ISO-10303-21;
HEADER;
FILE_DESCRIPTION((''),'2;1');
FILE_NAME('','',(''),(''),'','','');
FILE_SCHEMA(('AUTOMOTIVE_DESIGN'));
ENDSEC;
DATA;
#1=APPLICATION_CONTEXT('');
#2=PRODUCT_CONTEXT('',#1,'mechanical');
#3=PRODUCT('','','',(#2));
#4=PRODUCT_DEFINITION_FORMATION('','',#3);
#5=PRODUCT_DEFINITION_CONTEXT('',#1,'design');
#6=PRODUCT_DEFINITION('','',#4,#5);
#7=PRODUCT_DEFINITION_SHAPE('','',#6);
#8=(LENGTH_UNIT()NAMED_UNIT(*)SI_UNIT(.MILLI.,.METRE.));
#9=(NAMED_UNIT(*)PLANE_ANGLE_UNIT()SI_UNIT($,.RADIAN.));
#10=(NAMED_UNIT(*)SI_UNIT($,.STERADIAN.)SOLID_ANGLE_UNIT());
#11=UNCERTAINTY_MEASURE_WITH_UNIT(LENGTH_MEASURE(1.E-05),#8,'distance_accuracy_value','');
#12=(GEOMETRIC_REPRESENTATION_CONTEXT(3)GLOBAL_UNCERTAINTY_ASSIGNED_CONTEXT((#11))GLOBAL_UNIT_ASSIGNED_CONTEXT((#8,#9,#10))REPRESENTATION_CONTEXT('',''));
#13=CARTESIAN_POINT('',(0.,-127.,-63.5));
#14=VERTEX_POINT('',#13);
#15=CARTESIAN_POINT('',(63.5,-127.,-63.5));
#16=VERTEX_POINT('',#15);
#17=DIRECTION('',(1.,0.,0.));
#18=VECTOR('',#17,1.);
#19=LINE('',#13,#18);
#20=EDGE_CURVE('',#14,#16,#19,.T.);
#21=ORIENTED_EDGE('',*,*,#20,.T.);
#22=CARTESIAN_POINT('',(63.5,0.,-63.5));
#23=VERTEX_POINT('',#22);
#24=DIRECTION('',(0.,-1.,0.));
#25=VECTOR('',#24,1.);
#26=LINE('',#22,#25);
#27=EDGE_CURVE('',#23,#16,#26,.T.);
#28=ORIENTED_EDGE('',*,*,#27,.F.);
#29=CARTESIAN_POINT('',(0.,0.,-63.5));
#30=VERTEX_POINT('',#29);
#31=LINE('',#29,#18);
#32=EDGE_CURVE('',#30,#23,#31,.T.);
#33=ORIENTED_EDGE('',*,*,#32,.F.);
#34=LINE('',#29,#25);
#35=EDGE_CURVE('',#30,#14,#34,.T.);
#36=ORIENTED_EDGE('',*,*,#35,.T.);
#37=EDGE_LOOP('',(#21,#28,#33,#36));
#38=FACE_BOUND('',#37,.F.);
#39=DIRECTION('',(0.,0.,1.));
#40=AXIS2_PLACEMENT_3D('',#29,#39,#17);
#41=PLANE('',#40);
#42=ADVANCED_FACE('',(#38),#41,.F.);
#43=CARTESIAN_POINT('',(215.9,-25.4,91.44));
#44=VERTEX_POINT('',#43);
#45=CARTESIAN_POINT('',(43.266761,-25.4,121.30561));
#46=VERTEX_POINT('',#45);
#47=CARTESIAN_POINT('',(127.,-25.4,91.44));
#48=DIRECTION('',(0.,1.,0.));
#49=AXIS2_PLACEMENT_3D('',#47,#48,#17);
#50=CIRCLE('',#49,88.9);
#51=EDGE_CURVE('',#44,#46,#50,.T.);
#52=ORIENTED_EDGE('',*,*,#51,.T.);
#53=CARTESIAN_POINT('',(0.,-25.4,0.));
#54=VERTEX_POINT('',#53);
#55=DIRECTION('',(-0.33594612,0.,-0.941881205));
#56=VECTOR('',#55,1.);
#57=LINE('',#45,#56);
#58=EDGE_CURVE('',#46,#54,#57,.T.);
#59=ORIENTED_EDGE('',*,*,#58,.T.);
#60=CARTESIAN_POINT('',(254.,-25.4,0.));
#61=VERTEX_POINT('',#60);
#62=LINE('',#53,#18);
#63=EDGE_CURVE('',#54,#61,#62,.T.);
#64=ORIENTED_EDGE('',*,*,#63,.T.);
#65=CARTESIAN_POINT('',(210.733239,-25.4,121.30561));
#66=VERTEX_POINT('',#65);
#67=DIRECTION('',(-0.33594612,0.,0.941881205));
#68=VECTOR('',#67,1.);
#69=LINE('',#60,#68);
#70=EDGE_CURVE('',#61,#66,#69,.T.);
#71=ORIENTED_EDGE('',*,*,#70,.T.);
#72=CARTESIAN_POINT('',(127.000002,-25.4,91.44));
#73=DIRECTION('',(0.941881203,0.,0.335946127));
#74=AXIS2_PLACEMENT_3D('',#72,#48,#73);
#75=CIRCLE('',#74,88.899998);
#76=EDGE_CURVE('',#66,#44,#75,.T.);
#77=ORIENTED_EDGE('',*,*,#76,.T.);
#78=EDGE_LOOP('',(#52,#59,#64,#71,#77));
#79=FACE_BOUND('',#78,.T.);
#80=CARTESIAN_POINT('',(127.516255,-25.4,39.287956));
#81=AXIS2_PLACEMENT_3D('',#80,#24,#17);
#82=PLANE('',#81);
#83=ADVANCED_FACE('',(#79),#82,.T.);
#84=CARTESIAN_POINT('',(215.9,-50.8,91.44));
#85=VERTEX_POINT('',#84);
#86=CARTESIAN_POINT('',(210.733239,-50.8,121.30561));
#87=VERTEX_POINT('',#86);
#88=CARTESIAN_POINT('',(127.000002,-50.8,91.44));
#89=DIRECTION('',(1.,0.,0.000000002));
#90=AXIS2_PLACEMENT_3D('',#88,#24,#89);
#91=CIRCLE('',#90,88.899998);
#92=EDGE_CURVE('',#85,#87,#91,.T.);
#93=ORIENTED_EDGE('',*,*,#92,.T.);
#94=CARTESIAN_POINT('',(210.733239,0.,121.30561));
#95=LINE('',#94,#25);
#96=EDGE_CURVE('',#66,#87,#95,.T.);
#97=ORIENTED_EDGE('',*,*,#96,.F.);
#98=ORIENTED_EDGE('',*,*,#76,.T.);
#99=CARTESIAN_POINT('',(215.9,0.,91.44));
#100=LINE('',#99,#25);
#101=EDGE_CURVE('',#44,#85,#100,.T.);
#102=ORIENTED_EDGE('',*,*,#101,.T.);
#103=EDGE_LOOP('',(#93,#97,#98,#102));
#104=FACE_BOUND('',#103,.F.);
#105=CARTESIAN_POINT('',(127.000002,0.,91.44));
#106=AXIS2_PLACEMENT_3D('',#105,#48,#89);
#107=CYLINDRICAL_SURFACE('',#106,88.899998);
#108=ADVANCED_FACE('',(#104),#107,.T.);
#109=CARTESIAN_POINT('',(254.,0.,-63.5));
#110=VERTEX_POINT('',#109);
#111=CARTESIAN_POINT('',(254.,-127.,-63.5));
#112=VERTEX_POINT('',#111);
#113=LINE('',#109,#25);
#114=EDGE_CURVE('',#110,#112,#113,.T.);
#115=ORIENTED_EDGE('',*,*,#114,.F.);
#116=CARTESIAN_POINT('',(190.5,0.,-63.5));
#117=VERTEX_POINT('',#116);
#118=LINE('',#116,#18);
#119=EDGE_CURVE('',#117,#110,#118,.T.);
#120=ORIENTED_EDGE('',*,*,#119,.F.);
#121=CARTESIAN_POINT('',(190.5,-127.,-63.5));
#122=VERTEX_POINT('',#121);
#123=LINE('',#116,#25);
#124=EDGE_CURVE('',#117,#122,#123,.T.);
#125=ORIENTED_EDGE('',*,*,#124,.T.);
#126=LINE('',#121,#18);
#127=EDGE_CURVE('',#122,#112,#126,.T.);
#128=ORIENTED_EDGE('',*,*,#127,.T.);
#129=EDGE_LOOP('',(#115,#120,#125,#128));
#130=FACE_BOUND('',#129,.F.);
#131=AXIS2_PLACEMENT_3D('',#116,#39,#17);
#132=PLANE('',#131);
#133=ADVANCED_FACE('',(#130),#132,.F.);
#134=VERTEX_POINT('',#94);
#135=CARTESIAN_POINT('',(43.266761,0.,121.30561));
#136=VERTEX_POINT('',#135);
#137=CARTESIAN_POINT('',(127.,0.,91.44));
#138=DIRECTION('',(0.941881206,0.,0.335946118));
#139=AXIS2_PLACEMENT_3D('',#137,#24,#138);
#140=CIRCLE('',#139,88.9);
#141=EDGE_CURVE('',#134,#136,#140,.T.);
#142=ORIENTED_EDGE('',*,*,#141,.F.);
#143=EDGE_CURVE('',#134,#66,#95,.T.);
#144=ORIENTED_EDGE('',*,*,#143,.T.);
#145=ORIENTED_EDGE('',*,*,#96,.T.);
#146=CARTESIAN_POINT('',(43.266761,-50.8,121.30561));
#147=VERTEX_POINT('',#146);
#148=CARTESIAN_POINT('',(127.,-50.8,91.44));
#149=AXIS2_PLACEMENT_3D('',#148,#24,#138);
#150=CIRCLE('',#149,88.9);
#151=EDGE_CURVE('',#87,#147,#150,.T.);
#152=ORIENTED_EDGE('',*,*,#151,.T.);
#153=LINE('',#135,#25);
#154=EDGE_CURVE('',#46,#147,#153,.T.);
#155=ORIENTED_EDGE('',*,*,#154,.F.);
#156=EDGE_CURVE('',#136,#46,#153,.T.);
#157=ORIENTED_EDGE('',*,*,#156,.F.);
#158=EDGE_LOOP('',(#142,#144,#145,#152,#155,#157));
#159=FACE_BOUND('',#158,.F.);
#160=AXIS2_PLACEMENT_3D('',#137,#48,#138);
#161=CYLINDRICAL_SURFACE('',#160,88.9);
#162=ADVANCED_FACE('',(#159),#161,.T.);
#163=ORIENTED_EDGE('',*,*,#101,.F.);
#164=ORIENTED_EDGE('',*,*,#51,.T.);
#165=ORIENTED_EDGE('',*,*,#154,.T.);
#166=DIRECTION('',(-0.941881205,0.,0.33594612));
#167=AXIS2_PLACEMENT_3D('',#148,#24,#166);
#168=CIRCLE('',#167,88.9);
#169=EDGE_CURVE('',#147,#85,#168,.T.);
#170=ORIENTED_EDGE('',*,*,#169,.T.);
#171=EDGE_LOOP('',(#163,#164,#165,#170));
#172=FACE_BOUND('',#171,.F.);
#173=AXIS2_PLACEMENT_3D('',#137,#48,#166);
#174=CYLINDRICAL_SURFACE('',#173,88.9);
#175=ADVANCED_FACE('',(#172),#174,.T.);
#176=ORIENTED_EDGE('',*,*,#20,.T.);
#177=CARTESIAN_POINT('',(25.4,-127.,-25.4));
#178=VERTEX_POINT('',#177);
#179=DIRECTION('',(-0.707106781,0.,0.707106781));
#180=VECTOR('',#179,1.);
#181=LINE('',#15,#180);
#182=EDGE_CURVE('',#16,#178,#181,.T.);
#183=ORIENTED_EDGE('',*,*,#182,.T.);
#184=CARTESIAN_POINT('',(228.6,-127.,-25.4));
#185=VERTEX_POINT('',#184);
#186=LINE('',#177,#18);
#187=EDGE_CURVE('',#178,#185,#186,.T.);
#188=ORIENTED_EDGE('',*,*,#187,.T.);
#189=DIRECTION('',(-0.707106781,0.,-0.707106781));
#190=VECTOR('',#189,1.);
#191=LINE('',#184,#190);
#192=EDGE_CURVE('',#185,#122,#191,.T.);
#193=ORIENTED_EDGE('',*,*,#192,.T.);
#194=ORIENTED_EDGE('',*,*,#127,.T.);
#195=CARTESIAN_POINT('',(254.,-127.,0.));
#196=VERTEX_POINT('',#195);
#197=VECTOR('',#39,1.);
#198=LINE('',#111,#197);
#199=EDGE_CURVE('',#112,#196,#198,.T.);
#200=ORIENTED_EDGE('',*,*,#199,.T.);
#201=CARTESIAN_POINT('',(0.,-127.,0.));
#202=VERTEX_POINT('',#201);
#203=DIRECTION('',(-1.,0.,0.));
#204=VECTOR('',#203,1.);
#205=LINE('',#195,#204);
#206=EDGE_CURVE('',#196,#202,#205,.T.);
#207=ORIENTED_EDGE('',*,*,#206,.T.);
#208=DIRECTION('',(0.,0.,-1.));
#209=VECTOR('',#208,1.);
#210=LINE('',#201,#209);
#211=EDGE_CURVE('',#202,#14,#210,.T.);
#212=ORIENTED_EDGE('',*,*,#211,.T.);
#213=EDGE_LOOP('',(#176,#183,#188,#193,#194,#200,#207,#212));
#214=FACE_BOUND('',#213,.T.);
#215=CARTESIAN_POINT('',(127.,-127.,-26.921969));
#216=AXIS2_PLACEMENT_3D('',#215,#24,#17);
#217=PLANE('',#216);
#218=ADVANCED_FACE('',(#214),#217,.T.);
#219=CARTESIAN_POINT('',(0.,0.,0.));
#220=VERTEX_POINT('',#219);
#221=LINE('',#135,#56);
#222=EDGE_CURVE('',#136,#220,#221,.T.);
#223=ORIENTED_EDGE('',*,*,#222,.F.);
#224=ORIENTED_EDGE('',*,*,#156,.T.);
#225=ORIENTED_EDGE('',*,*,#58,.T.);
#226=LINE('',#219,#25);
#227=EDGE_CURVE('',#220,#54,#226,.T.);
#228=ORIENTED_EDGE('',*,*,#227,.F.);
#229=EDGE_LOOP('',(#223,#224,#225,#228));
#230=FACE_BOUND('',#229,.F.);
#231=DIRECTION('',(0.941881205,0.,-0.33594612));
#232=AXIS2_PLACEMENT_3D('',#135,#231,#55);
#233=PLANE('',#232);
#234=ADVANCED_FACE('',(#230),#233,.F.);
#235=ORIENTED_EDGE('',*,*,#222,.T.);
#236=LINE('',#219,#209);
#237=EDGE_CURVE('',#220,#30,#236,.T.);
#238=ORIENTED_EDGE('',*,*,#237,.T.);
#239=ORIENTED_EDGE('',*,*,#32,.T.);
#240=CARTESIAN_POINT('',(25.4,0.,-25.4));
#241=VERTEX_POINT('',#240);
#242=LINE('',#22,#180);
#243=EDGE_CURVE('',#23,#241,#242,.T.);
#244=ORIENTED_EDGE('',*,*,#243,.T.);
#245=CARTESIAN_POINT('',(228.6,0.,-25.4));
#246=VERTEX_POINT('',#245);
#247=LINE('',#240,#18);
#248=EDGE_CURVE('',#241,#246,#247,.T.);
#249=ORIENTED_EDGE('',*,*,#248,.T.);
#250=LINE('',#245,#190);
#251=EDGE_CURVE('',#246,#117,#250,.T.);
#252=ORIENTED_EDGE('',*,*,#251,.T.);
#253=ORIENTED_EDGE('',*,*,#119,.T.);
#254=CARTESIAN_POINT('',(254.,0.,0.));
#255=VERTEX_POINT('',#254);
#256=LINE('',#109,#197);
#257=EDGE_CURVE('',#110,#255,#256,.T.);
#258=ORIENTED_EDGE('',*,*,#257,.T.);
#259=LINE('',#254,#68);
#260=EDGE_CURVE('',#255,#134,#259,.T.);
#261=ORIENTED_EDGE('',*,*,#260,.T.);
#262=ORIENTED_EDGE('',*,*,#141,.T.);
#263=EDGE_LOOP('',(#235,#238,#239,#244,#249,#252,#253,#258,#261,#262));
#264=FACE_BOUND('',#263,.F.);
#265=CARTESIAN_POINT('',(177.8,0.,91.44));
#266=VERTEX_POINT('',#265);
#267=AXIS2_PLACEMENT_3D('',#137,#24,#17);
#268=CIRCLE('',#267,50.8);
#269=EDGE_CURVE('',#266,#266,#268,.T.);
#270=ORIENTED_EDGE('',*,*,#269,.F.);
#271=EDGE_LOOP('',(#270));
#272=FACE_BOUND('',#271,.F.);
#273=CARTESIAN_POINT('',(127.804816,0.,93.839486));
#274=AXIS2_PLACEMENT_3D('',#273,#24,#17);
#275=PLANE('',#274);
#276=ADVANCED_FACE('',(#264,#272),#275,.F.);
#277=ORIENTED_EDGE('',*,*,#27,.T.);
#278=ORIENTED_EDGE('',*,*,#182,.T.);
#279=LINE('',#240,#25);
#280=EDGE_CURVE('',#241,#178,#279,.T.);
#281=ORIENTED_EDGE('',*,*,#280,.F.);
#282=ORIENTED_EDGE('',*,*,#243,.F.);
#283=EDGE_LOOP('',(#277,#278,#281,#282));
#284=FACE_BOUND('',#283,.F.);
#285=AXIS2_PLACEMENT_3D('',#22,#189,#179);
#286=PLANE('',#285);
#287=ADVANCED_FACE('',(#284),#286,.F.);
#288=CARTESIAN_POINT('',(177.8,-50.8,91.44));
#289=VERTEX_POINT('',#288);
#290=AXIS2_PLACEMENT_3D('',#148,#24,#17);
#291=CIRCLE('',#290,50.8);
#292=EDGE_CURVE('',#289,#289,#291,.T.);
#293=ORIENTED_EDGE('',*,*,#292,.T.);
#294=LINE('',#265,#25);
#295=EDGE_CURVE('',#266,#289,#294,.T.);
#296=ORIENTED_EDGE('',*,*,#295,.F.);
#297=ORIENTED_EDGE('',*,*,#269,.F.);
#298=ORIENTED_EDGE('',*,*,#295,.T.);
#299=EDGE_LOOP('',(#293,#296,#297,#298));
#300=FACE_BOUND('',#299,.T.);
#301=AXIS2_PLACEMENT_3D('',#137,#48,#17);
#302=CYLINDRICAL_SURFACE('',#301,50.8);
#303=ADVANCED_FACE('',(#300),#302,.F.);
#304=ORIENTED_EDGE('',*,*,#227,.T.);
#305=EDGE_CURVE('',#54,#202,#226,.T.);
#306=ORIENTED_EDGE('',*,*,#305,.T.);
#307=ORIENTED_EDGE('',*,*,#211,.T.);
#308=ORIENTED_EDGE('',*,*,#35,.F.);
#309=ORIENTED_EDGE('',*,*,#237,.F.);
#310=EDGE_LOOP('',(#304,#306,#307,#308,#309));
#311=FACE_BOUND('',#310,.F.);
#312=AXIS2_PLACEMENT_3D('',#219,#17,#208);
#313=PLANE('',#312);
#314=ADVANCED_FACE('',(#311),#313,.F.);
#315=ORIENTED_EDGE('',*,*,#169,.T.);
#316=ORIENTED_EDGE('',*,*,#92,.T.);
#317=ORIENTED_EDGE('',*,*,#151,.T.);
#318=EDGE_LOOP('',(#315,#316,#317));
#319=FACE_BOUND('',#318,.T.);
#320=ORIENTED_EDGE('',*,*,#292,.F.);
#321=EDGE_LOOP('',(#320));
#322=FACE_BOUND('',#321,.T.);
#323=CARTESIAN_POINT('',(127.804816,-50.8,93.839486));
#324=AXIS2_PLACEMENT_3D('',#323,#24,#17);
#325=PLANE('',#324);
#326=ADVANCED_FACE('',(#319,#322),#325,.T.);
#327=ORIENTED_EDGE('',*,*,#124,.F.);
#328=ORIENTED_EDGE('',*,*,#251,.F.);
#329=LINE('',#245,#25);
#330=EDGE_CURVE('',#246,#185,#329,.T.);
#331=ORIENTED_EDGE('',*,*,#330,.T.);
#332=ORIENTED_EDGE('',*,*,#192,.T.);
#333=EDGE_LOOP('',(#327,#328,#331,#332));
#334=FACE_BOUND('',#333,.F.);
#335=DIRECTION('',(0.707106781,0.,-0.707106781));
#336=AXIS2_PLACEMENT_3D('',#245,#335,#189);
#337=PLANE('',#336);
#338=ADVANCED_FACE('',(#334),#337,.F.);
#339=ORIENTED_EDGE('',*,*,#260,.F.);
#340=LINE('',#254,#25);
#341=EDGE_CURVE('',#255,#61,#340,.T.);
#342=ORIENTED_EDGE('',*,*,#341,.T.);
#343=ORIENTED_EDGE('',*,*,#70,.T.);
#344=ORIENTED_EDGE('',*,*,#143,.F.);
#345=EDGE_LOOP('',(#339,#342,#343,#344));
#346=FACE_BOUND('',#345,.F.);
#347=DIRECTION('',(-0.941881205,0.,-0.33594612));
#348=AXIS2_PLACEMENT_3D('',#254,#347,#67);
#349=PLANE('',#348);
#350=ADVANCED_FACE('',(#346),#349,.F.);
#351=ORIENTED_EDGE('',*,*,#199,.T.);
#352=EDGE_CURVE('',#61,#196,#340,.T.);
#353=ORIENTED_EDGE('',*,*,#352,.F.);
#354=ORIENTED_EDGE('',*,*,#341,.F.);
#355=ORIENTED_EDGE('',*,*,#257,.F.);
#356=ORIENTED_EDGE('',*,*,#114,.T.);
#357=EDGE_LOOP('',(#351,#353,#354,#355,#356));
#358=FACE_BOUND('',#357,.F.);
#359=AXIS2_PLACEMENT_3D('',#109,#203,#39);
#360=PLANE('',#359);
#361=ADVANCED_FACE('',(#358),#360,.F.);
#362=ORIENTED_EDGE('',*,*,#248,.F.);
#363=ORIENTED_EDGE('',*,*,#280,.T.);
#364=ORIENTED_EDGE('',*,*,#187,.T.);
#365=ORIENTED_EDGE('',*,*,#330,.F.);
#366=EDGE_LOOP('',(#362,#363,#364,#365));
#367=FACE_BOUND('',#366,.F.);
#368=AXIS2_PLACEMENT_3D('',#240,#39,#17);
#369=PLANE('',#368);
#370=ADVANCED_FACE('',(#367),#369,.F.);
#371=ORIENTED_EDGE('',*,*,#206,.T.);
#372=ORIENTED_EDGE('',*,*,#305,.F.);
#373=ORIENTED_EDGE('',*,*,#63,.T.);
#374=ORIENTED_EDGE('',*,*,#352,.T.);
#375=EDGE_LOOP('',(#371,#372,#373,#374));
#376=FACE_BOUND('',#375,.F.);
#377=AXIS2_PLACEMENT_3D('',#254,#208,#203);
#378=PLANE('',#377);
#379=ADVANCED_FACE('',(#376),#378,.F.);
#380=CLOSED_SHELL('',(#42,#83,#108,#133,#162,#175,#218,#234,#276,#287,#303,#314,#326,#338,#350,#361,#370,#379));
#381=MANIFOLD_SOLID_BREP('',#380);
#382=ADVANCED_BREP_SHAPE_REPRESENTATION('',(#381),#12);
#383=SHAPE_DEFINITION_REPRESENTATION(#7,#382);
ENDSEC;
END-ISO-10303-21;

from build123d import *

# Parameters (mm, degrees)
F1_DEPTH = 127
F2_DEPTH = 25.4
F0_R     = 50.8
F3_DEPTH = 50.8


with BuildPart() as f1:
    # F0 (on Front) → F1 (new body)
    with BuildSketch(Plane.XZ):
        Polygon((254, 0), (0, 0), (0, -63.5), (63.5, -63.5), (25.4, -25.4), (228.6, -25.4), (190.5, -63.5), (254, -63.5), align=None)
    extrude(amount=F1_DEPTH)

    # F0 (on Front) → F2 (join)
    with BuildSketch(Plane.XZ):
        with BuildLine():
            Line((43.266761, 121.30561), (0, 0))
            Line((0, 0), (254, 0))
            Line((254, 0), (210.733239, 121.30561))
            ThreePointArc((210.733239, 121.30561), (214.598787, 106.59462), (215.9, 91.44))
            ThreePointArc((215.9, 91.44), (111.84538, 3.841213), (43.266761, 121.30561))
        make_face()
    extrude(amount=F2_DEPTH)

    # F0 (on Front) → F3 (join)
    with BuildSketch(Plane.XZ):
        with BuildLine():
            ThreePointArc((210.733239, 121.30561), (127, 180.34), (43.266761, 121.30561))
            ThreePointArc((43.266761, 121.30561), (111.84538, 3.841213), (215.9, 91.44))
            ThreePointArc((215.9, 91.44), (214.598787, 106.59462), (210.733239, 121.30561))
        make_face()
        with Locations((127, 91.44)):
            Circle(F0_R, mode=Mode.SUBTRACT)
    extrude(amount=F3_DEPTH)


solid = f1.part
